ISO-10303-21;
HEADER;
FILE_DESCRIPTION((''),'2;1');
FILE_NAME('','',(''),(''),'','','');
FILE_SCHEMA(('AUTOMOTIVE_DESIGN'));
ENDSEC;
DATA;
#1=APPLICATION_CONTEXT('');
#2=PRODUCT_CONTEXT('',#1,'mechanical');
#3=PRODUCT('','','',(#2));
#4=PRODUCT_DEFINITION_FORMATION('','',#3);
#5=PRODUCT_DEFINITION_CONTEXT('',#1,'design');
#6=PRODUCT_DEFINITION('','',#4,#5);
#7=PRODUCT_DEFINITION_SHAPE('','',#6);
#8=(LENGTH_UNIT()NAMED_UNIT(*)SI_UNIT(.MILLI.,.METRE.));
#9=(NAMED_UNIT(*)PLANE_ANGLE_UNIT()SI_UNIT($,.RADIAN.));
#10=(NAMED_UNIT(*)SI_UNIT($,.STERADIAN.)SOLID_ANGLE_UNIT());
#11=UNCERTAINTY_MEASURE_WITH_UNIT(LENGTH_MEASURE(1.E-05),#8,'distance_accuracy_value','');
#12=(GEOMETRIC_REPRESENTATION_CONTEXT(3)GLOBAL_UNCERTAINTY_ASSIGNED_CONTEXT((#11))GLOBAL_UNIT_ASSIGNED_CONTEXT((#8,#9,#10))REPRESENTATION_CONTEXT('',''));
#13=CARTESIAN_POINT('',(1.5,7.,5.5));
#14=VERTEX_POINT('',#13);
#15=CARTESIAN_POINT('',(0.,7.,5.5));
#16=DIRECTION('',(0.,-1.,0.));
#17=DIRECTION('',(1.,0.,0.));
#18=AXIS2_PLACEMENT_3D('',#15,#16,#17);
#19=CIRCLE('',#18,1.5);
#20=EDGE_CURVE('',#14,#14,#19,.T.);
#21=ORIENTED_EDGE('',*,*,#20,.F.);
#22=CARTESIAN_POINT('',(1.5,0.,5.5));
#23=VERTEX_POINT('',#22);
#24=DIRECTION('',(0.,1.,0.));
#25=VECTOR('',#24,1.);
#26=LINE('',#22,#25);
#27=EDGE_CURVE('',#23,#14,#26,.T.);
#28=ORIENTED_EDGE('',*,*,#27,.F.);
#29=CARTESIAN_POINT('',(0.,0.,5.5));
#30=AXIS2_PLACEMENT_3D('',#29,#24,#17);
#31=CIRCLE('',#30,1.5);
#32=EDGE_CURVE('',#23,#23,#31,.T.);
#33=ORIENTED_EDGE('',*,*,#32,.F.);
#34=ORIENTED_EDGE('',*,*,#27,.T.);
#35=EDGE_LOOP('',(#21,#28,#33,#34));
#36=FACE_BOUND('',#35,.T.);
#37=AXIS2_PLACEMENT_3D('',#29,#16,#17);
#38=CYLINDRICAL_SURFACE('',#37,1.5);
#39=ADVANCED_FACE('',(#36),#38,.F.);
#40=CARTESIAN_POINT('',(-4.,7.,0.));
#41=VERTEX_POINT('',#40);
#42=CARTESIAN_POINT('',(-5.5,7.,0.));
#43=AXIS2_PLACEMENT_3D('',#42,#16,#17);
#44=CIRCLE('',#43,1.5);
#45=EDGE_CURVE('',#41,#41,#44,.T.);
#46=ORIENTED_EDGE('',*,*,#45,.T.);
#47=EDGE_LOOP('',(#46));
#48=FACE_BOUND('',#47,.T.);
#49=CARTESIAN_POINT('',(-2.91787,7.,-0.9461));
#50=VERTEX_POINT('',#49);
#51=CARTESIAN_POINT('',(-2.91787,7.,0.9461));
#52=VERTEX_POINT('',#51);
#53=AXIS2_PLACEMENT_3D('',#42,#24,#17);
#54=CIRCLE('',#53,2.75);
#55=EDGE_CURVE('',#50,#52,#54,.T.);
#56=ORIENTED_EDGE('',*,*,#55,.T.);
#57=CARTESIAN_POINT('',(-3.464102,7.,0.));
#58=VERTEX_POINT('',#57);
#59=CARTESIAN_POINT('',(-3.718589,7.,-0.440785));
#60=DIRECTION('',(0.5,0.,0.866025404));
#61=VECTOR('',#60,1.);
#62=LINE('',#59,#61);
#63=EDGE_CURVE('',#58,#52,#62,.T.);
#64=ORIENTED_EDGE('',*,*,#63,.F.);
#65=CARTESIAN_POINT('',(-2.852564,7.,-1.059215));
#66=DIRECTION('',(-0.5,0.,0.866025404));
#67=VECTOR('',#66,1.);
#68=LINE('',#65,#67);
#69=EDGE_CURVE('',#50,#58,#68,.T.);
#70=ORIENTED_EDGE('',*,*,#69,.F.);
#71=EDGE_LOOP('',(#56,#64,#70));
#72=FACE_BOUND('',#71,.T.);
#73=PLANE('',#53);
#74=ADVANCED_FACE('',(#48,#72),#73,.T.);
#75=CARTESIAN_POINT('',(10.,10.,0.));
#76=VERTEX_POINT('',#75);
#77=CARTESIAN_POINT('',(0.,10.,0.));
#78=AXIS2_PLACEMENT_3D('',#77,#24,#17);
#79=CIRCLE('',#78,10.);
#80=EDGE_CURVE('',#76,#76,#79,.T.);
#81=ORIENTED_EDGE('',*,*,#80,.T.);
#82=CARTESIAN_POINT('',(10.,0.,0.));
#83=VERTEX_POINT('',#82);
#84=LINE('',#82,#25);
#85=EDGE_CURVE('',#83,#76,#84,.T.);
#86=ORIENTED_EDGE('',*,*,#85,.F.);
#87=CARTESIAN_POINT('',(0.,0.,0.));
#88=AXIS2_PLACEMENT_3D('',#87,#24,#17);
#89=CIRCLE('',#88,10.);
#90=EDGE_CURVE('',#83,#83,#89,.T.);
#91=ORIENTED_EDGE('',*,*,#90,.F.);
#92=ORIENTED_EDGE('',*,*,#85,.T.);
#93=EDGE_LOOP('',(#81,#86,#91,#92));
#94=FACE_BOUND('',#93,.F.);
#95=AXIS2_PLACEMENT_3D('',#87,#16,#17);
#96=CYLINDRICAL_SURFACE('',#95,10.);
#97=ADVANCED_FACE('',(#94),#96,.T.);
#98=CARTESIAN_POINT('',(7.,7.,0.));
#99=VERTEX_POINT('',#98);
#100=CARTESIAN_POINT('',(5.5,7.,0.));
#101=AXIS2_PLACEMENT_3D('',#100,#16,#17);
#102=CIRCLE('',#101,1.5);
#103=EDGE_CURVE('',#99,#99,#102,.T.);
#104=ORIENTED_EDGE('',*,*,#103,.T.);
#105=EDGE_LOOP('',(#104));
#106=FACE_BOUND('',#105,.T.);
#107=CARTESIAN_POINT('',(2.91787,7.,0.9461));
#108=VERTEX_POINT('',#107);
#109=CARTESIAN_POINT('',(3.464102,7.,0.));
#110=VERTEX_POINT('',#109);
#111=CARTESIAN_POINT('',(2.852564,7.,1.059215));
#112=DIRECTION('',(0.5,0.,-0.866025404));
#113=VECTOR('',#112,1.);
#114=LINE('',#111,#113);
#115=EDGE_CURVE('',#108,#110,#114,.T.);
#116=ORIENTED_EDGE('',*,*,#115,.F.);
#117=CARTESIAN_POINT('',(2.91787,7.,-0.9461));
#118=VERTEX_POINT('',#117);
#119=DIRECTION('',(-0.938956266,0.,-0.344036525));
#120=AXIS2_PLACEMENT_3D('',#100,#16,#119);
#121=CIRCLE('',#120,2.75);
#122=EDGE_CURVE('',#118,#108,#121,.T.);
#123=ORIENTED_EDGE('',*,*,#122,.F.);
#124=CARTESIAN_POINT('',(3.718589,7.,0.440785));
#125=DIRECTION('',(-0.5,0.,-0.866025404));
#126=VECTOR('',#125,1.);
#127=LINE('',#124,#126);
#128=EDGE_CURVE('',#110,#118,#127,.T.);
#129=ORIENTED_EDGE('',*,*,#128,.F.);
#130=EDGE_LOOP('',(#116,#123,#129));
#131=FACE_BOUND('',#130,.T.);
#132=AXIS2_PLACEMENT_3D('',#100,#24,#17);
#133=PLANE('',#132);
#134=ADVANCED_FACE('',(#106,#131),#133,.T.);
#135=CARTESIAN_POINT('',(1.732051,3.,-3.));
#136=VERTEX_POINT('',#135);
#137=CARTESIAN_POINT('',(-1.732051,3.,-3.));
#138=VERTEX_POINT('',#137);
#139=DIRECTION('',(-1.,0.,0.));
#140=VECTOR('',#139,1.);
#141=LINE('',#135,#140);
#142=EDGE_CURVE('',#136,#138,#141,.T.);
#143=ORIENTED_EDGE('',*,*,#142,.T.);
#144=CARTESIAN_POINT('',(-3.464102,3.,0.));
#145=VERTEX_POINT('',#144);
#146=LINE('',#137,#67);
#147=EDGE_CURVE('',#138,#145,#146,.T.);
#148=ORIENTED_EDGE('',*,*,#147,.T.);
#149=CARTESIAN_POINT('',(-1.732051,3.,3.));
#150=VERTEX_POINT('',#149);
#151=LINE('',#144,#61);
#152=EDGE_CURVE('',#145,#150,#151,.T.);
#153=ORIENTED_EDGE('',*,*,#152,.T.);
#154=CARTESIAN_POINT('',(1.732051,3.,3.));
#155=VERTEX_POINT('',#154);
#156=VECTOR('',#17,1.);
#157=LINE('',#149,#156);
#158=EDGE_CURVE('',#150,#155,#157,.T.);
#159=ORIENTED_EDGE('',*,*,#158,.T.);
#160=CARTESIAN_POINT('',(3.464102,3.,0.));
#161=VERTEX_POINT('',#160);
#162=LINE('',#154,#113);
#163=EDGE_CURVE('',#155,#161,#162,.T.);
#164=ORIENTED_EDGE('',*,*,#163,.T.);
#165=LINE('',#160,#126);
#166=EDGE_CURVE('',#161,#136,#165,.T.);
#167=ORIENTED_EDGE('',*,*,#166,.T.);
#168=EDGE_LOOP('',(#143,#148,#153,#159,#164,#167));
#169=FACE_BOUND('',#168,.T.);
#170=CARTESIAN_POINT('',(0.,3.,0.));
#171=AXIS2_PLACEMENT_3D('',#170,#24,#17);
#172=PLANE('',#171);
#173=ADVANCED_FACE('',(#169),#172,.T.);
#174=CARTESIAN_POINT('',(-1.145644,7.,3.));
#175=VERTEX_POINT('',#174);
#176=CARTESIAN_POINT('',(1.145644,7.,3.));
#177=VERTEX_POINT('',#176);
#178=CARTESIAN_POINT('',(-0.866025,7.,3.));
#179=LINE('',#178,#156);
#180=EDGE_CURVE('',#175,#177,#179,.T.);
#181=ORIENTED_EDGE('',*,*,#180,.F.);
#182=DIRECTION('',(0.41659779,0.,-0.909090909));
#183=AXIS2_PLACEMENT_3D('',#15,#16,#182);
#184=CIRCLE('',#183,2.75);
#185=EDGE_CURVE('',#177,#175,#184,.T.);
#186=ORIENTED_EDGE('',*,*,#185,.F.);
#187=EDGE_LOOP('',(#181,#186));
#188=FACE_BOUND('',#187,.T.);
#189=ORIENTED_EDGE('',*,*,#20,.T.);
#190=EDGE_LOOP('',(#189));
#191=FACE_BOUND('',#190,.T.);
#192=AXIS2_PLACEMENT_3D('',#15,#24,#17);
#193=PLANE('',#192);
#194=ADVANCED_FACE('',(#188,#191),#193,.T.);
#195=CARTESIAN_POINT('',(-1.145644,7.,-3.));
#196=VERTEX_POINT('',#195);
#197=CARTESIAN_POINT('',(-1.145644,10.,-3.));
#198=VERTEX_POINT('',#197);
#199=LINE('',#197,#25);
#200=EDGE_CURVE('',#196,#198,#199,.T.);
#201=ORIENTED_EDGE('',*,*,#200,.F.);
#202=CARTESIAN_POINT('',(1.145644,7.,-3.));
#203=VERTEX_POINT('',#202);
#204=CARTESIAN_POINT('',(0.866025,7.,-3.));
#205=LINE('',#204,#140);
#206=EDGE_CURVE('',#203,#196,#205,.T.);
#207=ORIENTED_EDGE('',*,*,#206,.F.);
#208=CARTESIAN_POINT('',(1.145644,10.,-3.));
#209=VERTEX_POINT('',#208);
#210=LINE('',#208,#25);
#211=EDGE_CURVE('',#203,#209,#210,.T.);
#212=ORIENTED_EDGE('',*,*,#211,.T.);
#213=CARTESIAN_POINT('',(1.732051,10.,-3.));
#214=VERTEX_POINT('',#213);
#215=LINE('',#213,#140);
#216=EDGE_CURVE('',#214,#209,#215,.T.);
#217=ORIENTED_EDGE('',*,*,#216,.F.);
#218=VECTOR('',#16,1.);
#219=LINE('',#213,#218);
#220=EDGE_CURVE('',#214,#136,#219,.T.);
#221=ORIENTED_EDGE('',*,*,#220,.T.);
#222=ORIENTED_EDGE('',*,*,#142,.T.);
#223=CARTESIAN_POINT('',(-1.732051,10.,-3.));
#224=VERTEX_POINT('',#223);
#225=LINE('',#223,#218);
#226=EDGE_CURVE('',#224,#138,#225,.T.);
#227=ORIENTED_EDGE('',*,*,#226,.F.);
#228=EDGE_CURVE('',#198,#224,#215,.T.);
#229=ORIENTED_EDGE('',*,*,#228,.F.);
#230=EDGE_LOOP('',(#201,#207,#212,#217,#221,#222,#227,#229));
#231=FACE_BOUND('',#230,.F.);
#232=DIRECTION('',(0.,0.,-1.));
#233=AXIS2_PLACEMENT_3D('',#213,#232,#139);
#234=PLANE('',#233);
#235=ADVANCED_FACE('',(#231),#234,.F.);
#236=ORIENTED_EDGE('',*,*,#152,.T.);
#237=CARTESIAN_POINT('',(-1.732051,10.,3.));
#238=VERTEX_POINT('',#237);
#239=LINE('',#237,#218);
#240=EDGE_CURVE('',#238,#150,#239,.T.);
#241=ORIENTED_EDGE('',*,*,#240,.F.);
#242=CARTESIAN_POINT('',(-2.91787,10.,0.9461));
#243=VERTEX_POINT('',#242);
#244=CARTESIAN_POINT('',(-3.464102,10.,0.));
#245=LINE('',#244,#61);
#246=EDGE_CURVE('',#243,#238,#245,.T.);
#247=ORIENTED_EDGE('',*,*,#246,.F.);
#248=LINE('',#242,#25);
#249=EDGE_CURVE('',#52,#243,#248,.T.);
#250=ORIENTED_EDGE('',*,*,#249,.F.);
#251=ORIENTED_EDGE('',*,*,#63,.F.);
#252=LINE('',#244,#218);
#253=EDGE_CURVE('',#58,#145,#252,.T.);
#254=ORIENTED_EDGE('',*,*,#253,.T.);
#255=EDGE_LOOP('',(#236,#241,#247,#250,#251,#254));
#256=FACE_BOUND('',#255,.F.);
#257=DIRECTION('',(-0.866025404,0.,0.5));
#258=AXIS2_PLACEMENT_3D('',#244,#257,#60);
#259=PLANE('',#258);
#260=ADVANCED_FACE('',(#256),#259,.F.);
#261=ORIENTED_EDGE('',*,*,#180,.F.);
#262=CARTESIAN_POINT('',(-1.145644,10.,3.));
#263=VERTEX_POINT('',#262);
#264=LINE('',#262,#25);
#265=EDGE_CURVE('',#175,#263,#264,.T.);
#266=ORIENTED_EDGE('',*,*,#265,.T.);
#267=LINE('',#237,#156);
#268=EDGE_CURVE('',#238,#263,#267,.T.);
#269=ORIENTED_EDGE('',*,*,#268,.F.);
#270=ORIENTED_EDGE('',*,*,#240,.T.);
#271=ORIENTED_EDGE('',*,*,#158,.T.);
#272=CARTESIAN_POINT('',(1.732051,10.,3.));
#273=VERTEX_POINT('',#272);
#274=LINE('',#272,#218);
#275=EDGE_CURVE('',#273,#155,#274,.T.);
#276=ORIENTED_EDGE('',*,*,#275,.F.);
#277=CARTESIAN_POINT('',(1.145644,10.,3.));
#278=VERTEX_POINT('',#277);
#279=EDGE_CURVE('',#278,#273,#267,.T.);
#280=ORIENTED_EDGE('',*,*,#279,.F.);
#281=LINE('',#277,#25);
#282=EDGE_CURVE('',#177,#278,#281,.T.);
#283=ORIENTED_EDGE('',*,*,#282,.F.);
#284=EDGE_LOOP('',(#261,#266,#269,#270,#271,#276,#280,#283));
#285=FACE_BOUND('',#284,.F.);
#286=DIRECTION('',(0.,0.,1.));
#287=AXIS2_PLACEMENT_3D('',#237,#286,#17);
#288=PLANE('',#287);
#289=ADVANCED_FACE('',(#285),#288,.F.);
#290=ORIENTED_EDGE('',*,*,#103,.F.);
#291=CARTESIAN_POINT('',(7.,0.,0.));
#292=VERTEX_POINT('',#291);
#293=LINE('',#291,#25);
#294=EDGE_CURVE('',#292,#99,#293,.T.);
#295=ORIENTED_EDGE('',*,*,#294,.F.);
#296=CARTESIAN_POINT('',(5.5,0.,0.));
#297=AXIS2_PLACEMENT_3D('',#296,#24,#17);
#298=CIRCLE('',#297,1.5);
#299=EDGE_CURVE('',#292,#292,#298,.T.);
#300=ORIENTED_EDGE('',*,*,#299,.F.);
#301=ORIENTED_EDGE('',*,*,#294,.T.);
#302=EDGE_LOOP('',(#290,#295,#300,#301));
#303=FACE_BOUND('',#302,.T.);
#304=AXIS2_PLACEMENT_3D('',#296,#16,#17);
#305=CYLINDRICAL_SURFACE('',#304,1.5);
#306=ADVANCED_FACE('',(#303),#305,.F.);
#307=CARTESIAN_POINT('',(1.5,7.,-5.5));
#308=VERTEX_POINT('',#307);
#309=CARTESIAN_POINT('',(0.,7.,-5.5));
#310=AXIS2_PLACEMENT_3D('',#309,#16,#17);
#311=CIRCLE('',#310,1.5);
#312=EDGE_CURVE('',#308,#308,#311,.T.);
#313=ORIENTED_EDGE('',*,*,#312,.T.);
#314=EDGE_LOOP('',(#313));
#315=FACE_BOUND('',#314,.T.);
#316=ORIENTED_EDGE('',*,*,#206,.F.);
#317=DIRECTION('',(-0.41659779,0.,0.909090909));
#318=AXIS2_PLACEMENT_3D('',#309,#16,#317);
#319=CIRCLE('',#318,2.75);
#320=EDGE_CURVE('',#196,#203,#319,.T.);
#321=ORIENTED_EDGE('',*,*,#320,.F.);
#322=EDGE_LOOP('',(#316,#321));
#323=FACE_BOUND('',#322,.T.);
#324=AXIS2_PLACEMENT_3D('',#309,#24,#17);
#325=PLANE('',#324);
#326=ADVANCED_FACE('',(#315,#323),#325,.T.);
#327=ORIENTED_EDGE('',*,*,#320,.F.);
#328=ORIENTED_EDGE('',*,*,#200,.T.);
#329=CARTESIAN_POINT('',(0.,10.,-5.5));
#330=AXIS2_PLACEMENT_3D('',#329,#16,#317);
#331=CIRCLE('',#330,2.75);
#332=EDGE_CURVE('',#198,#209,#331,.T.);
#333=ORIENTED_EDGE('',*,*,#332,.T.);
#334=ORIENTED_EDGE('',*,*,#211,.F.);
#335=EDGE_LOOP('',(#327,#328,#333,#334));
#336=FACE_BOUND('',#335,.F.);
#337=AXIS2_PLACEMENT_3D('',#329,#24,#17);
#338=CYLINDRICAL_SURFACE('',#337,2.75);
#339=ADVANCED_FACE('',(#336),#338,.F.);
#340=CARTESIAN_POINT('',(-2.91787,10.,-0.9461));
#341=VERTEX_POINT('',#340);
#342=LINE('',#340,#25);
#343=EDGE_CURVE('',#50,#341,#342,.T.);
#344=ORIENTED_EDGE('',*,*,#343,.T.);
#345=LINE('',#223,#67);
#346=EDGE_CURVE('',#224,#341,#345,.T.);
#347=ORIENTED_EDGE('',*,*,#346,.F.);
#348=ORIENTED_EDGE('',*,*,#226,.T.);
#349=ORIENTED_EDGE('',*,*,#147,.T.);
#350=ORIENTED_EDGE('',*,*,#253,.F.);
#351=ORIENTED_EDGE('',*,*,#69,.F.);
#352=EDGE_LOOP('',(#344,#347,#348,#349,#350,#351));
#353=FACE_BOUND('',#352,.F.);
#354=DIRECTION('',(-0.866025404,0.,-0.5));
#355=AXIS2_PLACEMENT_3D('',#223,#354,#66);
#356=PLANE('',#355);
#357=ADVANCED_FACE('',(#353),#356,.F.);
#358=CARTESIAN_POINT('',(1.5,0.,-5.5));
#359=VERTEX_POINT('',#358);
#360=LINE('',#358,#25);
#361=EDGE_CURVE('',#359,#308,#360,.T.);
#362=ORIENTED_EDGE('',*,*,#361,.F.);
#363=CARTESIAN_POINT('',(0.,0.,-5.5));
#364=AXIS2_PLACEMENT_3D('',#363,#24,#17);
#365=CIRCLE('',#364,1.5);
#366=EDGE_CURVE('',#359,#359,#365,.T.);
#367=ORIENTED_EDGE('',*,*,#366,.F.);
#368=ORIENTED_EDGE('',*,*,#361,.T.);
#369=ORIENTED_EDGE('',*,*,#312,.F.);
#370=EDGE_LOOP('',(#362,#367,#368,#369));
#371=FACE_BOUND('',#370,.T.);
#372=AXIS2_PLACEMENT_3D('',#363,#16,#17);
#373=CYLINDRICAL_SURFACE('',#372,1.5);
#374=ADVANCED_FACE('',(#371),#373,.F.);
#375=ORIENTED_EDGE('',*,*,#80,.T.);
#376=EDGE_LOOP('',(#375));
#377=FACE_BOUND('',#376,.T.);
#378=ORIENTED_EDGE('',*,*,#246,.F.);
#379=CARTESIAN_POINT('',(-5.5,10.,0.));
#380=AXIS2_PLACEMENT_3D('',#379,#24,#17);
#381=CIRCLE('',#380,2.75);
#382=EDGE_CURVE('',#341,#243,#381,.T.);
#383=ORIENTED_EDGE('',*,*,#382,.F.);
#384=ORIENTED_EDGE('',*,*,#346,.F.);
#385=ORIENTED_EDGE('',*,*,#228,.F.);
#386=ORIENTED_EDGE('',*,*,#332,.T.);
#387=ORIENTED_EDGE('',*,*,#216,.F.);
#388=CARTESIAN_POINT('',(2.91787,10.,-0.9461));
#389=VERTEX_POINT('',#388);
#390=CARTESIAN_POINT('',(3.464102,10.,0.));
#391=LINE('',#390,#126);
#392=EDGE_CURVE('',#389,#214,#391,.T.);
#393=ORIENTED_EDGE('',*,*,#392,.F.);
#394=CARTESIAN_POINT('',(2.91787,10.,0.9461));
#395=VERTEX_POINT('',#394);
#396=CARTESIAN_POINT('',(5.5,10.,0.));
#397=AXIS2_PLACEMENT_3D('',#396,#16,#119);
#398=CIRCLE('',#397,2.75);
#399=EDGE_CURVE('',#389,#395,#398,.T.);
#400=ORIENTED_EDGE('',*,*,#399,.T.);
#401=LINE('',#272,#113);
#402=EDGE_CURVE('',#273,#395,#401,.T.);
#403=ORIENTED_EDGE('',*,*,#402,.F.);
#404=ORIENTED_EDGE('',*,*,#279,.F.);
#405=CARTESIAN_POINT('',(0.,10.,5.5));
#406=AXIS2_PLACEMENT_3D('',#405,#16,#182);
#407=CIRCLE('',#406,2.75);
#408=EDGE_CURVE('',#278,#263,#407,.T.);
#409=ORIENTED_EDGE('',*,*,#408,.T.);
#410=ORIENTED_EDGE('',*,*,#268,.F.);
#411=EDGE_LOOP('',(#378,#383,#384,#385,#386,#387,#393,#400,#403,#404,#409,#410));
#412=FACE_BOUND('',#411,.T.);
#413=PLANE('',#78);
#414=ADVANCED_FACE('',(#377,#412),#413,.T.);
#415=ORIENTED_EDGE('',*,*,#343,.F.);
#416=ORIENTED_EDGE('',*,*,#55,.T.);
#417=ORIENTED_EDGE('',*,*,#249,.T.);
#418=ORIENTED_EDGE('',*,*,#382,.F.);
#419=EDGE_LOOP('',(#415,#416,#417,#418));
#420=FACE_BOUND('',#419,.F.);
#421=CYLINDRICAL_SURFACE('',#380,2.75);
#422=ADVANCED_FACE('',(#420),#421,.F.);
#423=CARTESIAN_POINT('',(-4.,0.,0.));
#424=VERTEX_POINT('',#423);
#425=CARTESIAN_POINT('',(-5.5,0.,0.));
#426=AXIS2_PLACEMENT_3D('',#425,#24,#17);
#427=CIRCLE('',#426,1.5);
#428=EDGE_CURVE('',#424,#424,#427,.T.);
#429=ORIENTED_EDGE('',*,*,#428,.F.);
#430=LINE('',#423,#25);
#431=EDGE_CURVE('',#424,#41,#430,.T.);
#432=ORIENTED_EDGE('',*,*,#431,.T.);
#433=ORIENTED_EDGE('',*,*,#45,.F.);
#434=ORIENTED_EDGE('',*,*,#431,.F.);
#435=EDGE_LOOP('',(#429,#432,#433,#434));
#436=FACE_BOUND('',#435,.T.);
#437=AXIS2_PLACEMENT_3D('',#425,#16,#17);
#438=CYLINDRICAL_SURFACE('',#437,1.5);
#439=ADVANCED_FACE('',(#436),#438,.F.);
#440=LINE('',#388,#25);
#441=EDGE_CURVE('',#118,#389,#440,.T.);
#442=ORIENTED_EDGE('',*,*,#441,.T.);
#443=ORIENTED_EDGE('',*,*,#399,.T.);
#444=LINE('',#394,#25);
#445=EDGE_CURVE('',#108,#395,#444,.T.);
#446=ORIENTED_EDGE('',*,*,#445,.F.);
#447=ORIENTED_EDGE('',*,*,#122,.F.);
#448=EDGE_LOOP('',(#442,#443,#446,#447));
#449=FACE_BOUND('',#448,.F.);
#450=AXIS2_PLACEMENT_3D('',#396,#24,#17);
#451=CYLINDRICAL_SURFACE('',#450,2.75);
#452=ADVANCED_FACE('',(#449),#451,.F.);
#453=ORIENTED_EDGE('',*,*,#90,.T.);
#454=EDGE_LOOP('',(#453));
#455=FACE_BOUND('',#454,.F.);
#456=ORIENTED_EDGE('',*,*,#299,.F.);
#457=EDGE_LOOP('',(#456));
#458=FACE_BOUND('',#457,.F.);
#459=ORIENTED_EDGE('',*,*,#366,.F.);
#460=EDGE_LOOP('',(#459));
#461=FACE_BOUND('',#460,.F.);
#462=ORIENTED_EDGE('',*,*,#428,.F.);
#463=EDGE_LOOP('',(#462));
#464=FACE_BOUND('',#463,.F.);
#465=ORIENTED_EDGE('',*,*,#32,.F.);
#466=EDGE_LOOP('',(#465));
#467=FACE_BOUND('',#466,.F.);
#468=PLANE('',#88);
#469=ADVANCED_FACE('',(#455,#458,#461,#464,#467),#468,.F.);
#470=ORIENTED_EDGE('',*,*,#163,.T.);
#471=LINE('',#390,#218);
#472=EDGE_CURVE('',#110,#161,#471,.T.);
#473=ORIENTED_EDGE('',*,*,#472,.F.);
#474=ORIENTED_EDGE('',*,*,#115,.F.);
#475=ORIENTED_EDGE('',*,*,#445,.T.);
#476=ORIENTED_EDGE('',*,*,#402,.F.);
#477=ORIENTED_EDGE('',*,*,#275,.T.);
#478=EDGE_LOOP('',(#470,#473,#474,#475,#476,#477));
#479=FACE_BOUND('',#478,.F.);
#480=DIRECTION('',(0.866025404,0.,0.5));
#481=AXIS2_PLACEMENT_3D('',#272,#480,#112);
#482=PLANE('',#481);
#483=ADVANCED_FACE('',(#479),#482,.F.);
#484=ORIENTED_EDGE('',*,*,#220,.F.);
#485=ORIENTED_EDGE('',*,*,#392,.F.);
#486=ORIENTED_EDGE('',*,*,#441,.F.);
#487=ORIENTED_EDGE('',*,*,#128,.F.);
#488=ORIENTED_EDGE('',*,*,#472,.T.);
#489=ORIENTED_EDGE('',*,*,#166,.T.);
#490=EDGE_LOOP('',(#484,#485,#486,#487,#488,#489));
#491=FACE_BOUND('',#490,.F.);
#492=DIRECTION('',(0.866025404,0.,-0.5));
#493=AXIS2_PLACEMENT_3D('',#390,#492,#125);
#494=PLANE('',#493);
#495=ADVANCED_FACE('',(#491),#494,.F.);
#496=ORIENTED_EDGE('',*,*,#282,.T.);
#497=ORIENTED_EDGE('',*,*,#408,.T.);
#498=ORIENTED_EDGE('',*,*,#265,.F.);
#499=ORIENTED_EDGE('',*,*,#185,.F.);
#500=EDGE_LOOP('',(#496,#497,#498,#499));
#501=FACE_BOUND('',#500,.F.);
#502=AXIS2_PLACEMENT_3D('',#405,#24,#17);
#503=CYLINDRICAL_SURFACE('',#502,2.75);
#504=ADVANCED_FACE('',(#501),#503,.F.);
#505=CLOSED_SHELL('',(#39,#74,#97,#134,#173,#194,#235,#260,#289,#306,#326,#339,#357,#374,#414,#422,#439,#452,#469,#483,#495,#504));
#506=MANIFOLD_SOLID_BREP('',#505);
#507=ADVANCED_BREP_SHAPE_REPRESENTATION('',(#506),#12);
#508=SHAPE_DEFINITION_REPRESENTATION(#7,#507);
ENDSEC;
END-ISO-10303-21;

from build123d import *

# Parameters (mm, degrees)
SKETCH1_R           = 10
SKETCH1_R_2         = 1.5
BOSS_EXTRUDE1_DEPTH = 10
SKETCH2_R           = 2.75
CUT_EXTRUDE1_DEPTH  = 3
CUT_EXTRUDE2_DEPTH  = 7


with BuildPart() as part:
    # Sketch1 → Boss-Extrude1 (new body)
    with BuildSketch(Plane(origin=(0, 0, 0), x_dir=(1, 0, 0), z_dir=(0, 1, 0))):
        Circle(SKETCH1_R)
        with Locations((0, 5.5)):
            Circle(SKETCH1_R_2, mode=Mode.SUBTRACT)
        with Locations((5.5, 0)):
            Circle(SKETCH1_R_2, mode=Mode.SUBTRACT)
        with Locations((0, -5.5)):
            Circle(SKETCH1_R_2, mode=Mode.SUBTRACT)
        with Locations((-5.5, 0)):
            Circle(SKETCH1_R_2, mode=Mode.SUBTRACT)
    extrude(amount=BOSS_EXTRUDE1_DEPTH)

    # Sketch2 → Cut-Extrude1 (cut)
    with BuildSketch(Plane(origin=(0, 10, 0), x_dir=(1, 0, 0), z_dir=(0, 1, 0))):
        with Locations((0, 5.5)):
            Circle(SKETCH2_R)
        with Locations((5.5, 0)):
            Circle(SKETCH2_R)
        with Locations((0, -5.5)):
            Circle(SKETCH2_R)
        with Locations((-5.5, 0)):
            Circle(SKETCH2_R)
    extrude(amount=-CUT_EXTRUDE1_DEPTH, mode=Mode.SUBTRACT)

    # Sketch3 → Cut-Extrude2 (cut)
    with BuildSketch(Plane(origin=(0, 10, 0), x_dir=(1, 0, 0), z_dir=(0, 1, 0))):
        Polygon((3.464101615, 0), (1.732050808, 3), (-1.732050808, 3), (-3.464101615, 0), (-1.732050808, -3), (1.732050808, -3), align=None)
    extrude(amount=-CUT_EXTRUDE2_DEPTH, mode=Mode.SUBTRACT)


solid = part.part
